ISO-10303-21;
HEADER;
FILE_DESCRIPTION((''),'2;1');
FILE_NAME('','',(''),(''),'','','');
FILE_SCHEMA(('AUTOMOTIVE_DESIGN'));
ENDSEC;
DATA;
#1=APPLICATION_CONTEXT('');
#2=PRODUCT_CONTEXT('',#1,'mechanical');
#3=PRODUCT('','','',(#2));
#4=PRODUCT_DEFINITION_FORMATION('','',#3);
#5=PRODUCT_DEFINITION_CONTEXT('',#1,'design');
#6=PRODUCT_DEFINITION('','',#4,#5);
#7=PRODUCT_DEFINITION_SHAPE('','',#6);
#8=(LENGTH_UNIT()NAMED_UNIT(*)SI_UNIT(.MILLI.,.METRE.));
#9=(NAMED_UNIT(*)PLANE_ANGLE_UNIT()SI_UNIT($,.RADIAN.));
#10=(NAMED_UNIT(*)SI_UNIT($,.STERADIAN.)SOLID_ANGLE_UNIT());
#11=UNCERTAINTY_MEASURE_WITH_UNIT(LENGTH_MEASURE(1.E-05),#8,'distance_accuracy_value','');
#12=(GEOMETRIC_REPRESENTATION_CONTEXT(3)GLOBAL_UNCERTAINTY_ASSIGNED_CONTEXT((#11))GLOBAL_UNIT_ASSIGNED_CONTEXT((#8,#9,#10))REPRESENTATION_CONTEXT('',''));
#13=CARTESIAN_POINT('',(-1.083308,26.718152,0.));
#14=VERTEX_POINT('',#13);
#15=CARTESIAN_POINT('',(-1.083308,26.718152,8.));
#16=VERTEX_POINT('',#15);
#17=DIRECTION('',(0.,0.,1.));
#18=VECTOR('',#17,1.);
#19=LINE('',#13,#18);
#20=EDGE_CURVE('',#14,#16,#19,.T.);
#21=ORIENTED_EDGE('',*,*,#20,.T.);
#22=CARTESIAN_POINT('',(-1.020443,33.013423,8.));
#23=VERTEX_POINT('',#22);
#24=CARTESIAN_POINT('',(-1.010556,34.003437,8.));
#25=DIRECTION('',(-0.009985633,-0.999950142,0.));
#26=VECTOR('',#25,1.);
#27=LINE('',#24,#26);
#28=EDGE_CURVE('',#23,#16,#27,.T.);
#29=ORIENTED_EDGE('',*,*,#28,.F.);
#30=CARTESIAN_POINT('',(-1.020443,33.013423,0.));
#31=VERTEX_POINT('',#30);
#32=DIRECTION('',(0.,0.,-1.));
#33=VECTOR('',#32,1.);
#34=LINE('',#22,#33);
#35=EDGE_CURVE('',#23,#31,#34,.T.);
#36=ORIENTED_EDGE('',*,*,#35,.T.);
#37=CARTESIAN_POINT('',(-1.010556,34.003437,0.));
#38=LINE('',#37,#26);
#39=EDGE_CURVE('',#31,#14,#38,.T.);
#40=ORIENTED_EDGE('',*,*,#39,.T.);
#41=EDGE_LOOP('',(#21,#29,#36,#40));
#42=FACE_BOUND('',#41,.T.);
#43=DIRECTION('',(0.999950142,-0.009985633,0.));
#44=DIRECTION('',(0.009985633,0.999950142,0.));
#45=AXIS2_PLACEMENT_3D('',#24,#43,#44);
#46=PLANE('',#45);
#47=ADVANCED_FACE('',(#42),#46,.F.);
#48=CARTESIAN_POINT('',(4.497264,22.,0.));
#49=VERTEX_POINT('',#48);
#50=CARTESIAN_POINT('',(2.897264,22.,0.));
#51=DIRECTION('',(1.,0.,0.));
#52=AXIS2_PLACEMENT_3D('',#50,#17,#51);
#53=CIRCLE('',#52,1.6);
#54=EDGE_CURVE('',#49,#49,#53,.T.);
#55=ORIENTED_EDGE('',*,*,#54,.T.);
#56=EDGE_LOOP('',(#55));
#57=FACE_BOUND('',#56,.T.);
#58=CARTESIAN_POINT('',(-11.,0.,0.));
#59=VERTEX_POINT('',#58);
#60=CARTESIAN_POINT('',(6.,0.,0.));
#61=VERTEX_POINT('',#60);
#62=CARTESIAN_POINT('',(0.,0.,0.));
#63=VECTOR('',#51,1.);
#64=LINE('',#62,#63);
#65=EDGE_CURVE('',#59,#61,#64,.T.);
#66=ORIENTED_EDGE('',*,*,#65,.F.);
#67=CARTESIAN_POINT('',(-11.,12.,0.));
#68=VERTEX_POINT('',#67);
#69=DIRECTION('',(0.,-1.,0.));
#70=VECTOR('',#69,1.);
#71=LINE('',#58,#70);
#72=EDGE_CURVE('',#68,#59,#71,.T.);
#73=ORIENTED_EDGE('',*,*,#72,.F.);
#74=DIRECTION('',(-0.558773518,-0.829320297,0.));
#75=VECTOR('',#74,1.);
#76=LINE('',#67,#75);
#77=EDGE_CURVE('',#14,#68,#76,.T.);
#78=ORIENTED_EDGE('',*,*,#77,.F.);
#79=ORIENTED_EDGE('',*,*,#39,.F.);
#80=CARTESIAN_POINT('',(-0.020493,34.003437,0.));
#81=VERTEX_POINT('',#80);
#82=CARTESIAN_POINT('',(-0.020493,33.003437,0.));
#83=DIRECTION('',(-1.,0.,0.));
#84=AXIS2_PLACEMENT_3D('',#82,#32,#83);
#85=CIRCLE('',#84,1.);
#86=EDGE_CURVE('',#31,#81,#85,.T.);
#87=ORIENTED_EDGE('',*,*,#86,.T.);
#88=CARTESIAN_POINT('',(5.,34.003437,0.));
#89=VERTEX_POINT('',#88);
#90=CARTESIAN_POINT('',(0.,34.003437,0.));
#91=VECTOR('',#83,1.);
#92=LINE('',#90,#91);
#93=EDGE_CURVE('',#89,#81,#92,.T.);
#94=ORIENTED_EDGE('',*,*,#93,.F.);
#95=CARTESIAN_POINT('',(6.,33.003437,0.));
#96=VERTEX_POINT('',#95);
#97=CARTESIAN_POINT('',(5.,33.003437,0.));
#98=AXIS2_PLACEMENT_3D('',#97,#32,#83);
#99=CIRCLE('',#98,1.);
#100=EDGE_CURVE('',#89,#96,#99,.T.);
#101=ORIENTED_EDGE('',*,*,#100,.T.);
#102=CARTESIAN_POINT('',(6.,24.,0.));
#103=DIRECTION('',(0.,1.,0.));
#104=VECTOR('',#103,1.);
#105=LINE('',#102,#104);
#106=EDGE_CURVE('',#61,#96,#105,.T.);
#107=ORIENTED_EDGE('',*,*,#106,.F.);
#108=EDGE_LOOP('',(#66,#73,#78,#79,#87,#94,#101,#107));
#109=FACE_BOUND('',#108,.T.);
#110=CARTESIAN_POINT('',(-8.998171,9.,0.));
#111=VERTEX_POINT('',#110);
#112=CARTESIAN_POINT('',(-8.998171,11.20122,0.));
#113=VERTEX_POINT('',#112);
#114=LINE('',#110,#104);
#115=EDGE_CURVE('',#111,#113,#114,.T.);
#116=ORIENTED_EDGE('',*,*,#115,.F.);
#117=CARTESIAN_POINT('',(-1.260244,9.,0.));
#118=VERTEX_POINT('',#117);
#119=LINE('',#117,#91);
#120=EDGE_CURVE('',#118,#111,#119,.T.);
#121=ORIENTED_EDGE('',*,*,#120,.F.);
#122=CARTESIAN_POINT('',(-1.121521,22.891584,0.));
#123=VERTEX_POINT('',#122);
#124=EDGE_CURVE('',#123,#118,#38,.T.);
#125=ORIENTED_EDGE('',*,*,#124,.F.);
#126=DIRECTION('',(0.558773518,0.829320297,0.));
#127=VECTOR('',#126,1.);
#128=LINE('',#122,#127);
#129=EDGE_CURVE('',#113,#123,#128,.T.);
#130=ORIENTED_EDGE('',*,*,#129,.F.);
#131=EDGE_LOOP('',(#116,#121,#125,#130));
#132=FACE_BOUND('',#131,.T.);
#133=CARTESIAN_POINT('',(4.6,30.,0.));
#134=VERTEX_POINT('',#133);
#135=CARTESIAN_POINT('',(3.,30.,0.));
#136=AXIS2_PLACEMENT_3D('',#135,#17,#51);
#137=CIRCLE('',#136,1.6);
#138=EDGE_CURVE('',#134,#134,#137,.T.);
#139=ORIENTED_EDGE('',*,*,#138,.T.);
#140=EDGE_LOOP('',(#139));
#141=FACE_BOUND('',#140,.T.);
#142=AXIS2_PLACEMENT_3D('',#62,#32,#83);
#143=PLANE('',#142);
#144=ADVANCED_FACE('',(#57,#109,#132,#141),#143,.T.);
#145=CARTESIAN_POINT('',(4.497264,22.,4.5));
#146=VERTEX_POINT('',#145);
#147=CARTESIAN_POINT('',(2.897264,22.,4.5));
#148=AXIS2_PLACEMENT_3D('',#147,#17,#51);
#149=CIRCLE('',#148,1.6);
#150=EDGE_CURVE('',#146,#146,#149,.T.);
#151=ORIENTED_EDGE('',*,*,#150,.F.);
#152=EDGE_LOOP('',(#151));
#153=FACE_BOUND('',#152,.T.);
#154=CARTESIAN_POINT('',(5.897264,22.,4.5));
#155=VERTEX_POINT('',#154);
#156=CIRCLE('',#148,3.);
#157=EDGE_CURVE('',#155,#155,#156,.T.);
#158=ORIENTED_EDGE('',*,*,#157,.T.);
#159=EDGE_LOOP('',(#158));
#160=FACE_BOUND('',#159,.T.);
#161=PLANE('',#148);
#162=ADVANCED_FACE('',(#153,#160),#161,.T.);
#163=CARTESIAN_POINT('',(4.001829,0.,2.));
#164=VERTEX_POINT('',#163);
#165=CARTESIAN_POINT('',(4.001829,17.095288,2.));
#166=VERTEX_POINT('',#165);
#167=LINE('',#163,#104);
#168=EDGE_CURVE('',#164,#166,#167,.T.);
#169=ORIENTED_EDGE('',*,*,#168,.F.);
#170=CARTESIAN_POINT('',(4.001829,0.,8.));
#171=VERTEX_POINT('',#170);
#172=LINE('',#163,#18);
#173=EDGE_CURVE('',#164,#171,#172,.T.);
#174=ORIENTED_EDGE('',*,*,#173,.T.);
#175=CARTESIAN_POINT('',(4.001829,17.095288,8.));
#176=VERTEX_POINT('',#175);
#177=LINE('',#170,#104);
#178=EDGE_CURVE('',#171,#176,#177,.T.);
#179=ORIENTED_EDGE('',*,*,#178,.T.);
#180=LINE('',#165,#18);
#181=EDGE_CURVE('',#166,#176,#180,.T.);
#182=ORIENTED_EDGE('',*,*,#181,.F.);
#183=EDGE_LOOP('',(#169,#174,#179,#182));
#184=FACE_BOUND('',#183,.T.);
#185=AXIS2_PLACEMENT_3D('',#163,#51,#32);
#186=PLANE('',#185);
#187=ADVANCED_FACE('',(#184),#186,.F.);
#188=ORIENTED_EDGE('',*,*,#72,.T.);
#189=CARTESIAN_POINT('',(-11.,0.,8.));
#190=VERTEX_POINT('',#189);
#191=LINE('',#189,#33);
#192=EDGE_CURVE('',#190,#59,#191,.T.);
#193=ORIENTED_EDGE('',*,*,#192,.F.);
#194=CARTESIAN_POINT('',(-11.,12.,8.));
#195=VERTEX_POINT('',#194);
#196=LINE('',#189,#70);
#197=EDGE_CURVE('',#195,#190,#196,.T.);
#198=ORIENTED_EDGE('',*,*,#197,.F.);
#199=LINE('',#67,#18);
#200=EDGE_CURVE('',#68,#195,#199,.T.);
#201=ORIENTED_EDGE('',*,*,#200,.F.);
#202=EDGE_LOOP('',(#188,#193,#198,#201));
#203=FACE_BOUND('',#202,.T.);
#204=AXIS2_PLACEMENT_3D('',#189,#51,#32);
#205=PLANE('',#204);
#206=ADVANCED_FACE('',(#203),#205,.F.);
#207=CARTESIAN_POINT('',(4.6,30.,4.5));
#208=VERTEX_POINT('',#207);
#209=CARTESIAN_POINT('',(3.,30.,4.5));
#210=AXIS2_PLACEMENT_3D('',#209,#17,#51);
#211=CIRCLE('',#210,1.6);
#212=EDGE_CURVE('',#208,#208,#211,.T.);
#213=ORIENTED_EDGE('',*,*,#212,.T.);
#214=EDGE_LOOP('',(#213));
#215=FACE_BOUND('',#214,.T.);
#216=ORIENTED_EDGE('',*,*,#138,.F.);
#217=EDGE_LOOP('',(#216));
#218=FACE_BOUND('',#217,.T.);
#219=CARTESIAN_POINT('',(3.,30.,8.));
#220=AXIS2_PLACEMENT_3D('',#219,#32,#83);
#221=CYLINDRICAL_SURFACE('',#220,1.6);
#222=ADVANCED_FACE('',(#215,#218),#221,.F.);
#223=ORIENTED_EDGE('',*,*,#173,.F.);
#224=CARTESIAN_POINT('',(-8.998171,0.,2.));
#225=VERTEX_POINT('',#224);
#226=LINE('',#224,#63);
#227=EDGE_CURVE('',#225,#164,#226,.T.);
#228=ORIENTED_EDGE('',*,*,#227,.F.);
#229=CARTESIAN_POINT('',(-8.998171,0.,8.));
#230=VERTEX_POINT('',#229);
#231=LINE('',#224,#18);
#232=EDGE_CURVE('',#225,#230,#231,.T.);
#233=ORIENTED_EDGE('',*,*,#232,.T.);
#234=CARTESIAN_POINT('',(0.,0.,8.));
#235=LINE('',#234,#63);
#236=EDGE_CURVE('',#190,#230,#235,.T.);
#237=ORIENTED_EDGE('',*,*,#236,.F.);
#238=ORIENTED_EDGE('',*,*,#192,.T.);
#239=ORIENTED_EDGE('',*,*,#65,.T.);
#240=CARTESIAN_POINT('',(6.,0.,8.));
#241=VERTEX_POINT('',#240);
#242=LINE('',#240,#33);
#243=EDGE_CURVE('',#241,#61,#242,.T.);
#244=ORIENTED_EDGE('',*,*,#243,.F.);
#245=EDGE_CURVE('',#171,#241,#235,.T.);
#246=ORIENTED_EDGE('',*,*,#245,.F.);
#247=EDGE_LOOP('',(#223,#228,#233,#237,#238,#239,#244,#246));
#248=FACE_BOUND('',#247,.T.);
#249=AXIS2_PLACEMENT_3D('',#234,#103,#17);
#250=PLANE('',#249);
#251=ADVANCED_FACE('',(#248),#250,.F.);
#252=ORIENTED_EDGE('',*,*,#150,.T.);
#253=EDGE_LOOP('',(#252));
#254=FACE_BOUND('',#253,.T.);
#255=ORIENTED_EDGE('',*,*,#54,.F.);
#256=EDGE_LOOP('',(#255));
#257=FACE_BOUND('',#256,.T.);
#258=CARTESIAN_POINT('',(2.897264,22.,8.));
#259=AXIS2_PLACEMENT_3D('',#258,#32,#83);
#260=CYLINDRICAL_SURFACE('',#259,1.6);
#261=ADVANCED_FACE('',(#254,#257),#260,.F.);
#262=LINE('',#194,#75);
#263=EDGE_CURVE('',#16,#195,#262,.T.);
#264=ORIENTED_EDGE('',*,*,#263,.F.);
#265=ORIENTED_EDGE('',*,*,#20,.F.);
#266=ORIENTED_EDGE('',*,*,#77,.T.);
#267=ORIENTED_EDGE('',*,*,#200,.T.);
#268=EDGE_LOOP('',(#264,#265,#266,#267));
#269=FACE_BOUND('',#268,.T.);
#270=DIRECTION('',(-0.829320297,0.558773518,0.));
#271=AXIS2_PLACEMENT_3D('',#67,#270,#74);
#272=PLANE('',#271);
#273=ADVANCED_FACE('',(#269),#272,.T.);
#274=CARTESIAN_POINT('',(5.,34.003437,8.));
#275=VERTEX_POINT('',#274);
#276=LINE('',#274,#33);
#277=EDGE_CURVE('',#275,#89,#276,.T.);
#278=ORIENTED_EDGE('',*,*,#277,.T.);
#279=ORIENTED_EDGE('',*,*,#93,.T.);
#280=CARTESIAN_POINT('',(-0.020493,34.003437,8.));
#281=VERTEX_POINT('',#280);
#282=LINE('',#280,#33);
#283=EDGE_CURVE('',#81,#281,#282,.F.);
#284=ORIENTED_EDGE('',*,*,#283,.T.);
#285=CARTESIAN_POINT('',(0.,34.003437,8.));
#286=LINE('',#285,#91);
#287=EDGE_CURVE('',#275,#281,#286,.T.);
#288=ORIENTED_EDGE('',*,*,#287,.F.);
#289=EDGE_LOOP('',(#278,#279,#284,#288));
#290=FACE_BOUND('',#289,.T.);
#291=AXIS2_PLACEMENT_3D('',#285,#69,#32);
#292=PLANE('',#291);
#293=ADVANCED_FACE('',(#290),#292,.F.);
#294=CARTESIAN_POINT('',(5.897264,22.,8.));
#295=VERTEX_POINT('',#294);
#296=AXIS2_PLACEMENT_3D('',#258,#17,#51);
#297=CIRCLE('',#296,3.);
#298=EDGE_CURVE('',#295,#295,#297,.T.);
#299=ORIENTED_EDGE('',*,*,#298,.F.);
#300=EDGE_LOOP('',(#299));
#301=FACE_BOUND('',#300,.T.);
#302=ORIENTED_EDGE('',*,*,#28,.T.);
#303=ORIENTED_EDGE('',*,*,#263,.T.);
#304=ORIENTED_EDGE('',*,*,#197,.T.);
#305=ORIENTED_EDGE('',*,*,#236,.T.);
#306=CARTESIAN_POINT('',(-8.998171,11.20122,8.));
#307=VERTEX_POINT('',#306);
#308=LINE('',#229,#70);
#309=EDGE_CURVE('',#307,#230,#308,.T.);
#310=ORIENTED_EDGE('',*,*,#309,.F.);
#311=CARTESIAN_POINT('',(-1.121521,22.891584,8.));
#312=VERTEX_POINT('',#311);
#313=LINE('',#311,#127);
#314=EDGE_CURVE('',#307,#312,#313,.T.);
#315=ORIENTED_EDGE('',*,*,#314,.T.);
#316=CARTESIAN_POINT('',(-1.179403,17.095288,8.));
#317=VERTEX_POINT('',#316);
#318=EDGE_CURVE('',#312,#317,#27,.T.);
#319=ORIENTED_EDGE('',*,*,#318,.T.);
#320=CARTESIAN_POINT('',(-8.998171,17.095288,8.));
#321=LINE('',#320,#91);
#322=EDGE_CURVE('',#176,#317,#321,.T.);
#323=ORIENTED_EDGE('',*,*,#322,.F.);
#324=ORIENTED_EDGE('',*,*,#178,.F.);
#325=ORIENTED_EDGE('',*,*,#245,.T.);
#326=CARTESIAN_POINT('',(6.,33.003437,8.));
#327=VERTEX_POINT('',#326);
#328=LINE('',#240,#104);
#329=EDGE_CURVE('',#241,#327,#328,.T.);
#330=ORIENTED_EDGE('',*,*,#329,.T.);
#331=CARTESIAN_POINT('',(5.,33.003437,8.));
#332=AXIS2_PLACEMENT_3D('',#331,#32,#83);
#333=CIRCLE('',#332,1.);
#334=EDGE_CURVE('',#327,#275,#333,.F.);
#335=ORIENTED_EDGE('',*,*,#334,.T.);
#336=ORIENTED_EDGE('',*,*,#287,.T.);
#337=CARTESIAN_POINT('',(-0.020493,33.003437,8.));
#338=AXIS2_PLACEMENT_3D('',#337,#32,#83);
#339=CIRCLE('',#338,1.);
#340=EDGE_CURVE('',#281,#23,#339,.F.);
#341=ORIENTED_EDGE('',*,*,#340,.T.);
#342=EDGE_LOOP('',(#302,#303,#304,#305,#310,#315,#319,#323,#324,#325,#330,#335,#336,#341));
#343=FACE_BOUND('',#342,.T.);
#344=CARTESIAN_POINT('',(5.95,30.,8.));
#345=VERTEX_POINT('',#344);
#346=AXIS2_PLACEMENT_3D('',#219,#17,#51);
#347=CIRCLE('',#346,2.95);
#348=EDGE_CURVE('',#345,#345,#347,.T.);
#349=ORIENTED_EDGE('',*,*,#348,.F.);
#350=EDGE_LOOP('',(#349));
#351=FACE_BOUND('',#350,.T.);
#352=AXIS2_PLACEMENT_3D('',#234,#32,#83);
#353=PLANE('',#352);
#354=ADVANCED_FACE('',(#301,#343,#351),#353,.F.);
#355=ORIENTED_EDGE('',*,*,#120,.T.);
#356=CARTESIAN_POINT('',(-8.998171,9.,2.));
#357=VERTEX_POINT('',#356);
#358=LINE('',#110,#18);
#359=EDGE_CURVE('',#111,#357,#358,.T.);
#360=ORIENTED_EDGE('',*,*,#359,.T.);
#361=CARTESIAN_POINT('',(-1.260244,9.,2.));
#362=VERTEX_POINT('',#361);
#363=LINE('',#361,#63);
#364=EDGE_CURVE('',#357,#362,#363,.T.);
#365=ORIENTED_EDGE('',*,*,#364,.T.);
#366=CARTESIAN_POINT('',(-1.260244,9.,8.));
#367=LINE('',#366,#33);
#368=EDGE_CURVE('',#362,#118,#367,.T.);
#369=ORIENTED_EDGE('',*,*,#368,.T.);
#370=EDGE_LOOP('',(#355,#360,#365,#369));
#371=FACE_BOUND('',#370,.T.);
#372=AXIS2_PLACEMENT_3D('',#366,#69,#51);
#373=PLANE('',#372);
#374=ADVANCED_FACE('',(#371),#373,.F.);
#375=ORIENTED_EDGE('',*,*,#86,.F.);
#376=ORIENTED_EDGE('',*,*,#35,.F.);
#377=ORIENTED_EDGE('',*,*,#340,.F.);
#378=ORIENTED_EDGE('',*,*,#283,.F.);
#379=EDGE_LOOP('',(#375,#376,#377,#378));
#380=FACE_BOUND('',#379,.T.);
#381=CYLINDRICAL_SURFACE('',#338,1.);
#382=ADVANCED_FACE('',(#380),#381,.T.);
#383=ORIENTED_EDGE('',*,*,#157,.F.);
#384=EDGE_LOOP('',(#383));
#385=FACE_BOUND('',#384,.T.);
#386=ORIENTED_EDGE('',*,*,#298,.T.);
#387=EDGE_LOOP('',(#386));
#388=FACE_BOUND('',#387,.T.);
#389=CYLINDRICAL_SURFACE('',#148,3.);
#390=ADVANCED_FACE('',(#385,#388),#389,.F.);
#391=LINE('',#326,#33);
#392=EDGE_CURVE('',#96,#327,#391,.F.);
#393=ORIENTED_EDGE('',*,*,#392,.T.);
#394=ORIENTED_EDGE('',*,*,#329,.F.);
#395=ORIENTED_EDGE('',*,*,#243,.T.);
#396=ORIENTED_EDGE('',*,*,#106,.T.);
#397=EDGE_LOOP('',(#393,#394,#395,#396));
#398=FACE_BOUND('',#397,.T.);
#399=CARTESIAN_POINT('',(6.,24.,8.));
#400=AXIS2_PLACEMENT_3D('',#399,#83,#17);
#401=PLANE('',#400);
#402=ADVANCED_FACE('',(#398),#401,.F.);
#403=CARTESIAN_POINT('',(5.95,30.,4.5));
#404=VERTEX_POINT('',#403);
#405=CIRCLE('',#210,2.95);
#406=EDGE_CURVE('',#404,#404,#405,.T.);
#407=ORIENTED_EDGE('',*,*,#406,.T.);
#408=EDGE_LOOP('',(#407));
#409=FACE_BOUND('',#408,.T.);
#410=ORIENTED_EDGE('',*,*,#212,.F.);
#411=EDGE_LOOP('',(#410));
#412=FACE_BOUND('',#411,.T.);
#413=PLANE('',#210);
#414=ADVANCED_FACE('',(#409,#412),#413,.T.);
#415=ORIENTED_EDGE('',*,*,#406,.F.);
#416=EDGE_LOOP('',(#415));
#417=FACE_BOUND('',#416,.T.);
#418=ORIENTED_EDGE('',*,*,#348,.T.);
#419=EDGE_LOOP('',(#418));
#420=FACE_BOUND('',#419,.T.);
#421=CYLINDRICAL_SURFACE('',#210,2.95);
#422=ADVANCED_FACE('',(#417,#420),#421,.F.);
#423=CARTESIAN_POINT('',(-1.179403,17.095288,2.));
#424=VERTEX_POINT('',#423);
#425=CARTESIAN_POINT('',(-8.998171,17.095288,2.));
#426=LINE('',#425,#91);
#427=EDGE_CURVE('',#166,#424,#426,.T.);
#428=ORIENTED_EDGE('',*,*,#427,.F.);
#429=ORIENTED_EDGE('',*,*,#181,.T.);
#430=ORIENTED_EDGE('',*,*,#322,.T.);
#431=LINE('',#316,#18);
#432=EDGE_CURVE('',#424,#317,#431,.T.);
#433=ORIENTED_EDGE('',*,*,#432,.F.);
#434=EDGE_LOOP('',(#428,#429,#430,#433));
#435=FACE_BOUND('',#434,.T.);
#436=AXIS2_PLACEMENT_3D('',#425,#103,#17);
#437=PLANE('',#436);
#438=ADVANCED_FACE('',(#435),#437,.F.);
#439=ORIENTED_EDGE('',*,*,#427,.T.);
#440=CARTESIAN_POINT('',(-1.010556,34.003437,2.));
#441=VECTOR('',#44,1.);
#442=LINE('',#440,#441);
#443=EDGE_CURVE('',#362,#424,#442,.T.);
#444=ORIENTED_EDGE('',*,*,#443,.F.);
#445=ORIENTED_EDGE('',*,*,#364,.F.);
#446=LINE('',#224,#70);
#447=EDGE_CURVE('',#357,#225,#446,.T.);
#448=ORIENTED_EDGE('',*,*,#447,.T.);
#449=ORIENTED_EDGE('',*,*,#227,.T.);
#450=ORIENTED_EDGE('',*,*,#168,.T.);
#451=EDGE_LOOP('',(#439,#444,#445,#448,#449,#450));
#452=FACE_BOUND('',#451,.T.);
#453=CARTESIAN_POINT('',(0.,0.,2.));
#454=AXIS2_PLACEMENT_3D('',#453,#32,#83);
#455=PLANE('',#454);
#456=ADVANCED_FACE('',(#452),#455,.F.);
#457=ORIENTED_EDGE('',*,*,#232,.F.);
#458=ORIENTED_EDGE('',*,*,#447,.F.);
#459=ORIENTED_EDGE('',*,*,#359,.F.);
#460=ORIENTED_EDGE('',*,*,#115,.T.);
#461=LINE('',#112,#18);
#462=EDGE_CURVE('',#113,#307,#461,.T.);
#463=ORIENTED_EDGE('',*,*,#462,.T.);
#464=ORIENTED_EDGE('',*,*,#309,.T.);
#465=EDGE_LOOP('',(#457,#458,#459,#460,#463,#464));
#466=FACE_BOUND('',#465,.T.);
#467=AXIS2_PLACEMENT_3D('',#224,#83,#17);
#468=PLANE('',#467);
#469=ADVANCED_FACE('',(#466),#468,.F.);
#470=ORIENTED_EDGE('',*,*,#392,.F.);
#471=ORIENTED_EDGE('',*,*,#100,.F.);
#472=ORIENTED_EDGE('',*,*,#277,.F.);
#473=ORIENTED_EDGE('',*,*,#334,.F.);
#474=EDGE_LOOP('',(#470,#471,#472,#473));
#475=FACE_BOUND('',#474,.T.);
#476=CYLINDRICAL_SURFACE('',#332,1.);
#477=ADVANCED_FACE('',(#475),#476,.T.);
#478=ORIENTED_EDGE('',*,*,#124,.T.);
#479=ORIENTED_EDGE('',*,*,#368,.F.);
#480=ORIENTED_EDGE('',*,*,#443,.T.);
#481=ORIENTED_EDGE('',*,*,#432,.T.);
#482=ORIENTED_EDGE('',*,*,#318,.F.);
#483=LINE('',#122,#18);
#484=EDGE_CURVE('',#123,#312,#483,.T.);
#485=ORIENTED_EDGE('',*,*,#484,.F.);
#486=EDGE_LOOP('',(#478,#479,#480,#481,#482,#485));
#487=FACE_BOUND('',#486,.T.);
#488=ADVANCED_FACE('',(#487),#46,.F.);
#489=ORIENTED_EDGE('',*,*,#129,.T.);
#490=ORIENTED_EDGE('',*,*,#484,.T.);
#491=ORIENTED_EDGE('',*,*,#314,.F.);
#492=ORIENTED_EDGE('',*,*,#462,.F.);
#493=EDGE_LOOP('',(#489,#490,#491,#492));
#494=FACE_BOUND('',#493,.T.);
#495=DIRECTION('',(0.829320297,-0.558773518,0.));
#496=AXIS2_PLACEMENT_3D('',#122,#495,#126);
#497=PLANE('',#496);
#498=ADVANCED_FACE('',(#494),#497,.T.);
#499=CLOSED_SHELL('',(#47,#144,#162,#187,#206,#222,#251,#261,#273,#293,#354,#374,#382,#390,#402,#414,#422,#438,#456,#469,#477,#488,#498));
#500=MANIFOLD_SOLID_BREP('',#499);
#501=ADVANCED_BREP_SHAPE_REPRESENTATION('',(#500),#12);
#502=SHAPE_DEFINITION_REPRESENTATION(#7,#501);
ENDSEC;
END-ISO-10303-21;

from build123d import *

# Parameters (mm, degrees)
SKETCH_1_R          = 1.6
EXTRUDE_1_DEPTH     = 8
SKETCH_2_W          = 13
SKETCH_2_H          = 17.095287854
CUT_EXTRUDE_1_DEPTH = 6
EXTRUDE_2_DEPTH     = 8
SKETCH_4_R          = 3
SKETCH_4_R_2        = 2.95
CUT_EXTRUDE_2_DEPTH = 3.5
FILLET_1_R          = 1


with BuildPart() as part:
    # 草图1 → 凸台-拉伸1 (new body)
    with BuildSketch(Plane.XY):
        Polygon((0, 0), (6, 0), (6, 24), (6, 34.003436918), (0, 34.003436918), (-1.010556426, 34.003436918), (-1.260244026, 9), (-11, 9), (-11, 0), align=None)
        with Locations((2.89726379, 22)):
            Circle(SKETCH_1_R, mode=Mode.SUBTRACT)
        with Locations((3, 30)):
            Circle(SKETCH_1_R, mode=Mode.SUBTRACT)
    extrude(amount=EXTRUDE_1_DEPTH)

    # 草图2 → 切除-拉伸1 (cut)
    with BuildSketch(Plane.XY.offset(8)):
        with Locations((-2.498171462, 8.547643927)):
            Rectangle(SKETCH_2_W, SKETCH_2_H)
    extrude(amount=-CUT_EXTRUDE_1_DEPTH, mode=Mode.SUBTRACT)

    # 草图3 → 凸台-拉伸2 (add)
    with BuildSketch(Plane.XY.offset(8)):
        Polygon((-11, 12), (-1.083308234, 26.718152327), (-1.121520842, 22.891584471), (-8.998171462, 11.201219742), (-8.998171462, 9), (-11, 9), align=None)
    extrude(amount=-EXTRUDE_2_DEPTH)

    # 草图4 → 切除-拉伸2 (cut)
    with BuildSketch(Plane.XY.offset(8)):
        with Locations((2.89726379, 22)):
            Circle(SKETCH_4_R)
        with Locations((3, 30)):
            Circle(SKETCH_4_R_2)
    extrude(amount=-CUT_EXTRUDE_2_DEPTH, mode=Mode.SUBTRACT)

    # 圆角1
    fillet_1_edges = [part.edges().sort_by_distance(p)[0] for p in [
        (-1.010556426, 34.003436918, 4),
        (6, 34.003436918, 4),
    ]]
    fillet(fillet_1_edges, radius=FILLET_1_R)


solid = part.part
